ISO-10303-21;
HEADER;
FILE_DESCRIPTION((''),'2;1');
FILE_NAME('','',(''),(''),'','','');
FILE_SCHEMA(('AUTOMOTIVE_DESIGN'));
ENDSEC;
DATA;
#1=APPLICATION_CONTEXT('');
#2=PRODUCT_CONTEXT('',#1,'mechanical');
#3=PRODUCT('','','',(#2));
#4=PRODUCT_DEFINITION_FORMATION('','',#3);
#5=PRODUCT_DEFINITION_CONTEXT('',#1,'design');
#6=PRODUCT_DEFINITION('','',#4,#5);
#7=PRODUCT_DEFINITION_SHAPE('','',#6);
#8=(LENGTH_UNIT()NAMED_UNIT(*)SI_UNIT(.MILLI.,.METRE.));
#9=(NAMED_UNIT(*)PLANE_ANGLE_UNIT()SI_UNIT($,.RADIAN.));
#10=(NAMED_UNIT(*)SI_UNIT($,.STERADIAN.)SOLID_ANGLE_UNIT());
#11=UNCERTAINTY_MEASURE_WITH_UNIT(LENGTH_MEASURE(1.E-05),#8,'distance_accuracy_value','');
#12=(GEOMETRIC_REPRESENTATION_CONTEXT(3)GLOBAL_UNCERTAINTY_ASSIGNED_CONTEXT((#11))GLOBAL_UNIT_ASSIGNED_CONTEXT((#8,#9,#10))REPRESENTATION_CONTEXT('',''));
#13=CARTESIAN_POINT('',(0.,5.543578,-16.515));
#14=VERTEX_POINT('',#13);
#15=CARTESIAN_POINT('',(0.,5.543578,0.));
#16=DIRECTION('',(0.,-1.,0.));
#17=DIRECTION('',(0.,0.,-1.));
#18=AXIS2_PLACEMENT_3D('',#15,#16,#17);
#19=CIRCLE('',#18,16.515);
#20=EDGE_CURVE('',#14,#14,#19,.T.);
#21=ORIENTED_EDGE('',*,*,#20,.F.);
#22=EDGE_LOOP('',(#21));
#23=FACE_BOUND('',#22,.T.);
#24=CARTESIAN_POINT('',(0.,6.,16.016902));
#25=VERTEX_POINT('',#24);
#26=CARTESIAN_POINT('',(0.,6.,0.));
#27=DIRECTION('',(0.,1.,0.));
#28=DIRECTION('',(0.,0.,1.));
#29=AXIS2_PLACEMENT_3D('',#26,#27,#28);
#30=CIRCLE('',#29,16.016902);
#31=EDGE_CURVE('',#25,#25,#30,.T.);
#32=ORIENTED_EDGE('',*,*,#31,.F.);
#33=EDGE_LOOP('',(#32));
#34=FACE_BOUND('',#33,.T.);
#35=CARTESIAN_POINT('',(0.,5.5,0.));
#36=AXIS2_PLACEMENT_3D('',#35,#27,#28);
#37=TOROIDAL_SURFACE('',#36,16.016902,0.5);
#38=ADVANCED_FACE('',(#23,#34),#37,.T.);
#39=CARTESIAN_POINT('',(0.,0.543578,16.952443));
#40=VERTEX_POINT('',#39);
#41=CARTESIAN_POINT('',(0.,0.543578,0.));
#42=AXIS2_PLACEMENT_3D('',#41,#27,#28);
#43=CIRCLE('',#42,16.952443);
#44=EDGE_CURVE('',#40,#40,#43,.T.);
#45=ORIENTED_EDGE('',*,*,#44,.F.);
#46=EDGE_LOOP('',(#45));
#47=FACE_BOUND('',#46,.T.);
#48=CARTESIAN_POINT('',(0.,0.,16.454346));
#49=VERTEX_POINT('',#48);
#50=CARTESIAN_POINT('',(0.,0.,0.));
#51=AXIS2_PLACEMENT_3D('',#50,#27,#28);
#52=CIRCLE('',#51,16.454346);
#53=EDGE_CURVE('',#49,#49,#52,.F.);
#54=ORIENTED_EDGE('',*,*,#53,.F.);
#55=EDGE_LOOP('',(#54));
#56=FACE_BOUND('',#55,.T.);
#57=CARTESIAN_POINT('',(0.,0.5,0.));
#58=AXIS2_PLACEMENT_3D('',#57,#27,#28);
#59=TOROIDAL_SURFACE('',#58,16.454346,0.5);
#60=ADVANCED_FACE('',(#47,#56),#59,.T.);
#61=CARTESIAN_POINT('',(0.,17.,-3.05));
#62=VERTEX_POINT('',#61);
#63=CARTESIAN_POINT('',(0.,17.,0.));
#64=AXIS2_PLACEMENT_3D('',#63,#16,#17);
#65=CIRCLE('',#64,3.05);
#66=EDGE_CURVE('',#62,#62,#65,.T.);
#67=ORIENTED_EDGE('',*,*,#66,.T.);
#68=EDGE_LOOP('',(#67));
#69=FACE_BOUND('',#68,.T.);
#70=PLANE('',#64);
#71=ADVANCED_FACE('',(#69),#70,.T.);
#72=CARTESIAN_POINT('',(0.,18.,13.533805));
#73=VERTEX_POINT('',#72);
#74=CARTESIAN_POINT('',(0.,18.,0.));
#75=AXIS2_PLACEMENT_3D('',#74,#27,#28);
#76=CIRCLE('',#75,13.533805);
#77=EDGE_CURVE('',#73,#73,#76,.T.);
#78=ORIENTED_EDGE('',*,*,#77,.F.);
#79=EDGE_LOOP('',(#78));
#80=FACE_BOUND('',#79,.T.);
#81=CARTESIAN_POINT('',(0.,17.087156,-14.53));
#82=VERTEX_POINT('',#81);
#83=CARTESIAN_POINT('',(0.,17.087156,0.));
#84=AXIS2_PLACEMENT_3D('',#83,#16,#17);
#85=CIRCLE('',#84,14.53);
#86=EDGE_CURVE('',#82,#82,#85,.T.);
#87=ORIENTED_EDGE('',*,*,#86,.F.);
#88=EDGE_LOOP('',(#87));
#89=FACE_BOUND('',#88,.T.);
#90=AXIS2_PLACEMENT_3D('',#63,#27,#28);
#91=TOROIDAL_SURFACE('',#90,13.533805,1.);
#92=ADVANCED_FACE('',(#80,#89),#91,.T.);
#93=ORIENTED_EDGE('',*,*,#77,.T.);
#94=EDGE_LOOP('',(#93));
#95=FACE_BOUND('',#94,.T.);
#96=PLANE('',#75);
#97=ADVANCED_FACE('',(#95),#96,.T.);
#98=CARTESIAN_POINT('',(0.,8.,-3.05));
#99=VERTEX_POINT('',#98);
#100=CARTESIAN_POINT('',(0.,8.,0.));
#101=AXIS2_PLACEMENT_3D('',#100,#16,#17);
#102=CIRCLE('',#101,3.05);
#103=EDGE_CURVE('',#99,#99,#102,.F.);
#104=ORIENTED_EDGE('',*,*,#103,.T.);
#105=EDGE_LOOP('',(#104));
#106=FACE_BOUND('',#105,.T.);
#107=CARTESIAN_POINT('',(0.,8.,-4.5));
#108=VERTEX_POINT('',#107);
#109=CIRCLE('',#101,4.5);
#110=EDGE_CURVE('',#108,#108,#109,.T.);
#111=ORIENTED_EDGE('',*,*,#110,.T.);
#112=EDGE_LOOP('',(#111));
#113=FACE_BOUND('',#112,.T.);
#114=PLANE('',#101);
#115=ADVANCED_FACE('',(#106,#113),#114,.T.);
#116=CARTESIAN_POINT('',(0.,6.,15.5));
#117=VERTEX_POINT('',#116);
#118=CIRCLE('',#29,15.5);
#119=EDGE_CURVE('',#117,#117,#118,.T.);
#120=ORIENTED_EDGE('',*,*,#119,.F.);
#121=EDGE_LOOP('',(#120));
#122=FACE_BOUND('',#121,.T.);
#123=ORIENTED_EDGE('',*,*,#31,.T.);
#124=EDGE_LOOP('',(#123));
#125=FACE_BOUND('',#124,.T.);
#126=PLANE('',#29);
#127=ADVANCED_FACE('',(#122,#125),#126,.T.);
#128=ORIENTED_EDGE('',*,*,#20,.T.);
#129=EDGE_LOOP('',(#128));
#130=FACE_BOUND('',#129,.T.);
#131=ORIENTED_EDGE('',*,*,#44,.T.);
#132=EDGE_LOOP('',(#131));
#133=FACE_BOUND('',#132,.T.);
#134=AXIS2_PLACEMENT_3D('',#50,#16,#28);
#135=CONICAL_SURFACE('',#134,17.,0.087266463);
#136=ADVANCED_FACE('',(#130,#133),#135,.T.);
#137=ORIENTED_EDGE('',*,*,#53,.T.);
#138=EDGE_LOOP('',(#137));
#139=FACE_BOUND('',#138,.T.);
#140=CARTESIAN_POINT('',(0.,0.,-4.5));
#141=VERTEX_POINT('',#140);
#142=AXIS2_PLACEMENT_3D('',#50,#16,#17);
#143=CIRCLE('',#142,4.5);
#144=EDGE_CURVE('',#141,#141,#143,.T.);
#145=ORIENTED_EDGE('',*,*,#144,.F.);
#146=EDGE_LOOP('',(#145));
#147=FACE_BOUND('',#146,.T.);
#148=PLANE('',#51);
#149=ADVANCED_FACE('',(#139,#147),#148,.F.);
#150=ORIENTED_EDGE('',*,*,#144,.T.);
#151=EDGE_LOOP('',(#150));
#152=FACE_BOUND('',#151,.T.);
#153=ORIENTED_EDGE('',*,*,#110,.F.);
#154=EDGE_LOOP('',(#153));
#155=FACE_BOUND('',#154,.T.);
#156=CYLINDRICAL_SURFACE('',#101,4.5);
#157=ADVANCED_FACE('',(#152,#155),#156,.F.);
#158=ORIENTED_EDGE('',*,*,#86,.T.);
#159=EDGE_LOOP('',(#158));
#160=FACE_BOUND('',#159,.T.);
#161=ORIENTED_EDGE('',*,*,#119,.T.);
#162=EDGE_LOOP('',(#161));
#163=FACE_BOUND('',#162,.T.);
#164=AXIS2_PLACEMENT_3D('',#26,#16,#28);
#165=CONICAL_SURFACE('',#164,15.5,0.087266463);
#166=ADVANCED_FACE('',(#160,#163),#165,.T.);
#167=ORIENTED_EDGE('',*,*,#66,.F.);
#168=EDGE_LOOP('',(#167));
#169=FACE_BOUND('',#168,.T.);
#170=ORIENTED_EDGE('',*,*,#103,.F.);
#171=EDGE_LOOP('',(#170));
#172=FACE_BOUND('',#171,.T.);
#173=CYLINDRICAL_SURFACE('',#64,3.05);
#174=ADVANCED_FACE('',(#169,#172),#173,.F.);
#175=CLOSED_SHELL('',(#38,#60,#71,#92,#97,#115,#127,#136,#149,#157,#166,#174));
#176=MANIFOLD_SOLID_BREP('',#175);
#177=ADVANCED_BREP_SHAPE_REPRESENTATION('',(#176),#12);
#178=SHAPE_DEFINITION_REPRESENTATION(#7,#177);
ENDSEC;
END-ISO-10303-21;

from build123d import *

# Parameters (mm, degrees)
SKETCH1_R           = 17
BOSS_EXTRUDE1_DEPTH = 6
BOSS_EXTRUDE1_TAPER = 5
SKETCH2_R           = 15.5
BOSS_EXTRUDE2_DEPTH = 12
BOSS_EXTRUDE2_TAPER = 5
SKETCH3_R           = 3.05
CUT_EXTRUDE1_DEPTH  = 17
FILLET1_R           = 1
FILLET2_R           = 0.5
SKETCH8_R           = 4.5
CUT_EXTRUDE6_DEPTH  = 8
FILLET3_R           = 0.5


with BuildPart() as part:
    # Sketch1 → Boss-Extrude1 (new body)
    with BuildSketch(Plane(origin=(0, 0, 0), x_dir=(1, 0, 0), z_dir=(0, 1, 0))):
        Circle(SKETCH1_R)
    extrude(amount=BOSS_EXTRUDE1_DEPTH, taper=BOSS_EXTRUDE1_TAPER)

    # Sketch2 → Boss-Extrude2 (add)
    with BuildSketch(Plane(origin=(0, 6, 0), x_dir=(1, 0, 0), z_dir=(0, 1, 0))):
        Circle(SKETCH2_R)
    extrude(amount=BOSS_EXTRUDE2_DEPTH, taper=BOSS_EXTRUDE2_TAPER)

    # Sketch3 → Cut-Extrude1 (cut)
    with BuildSketch(Plane.XZ):
        Circle(SKETCH3_R)
    extrude(amount=-CUT_EXTRUDE1_DEPTH, mode=Mode.SUBTRACT)

    # Fillet1
    fillet1_edges = [part.edges().sort_by_distance(p)[0] for p in [
        (-14.450136038, 18, 0),
    ]]
    fillet(fillet1_edges, radius=FILLET1_R)

    # Fillet2
    fillet2_edges = [part.edges().sort_by_distance(p)[0] for p in [
        (-16.475068019, 6, 0),
    ]]
    fillet(fillet2_edges, radius=FILLET2_R)

    # Sketch8 → Cut-Extrude6 (cut)
    with BuildSketch(Plane.XZ):
        Circle(SKETCH8_R)
    extrude(amount=-CUT_EXTRUDE6_DEPTH, mode=Mode.SUBTRACT)

    # Fillet3
    fillet3_edges = [part.edges().sort_by_distance(p)[0] for p in [
        (-17, 0, 0),
    ]]
    fillet(fillet3_edges, radius=FILLET3_R)


solid = part.part
